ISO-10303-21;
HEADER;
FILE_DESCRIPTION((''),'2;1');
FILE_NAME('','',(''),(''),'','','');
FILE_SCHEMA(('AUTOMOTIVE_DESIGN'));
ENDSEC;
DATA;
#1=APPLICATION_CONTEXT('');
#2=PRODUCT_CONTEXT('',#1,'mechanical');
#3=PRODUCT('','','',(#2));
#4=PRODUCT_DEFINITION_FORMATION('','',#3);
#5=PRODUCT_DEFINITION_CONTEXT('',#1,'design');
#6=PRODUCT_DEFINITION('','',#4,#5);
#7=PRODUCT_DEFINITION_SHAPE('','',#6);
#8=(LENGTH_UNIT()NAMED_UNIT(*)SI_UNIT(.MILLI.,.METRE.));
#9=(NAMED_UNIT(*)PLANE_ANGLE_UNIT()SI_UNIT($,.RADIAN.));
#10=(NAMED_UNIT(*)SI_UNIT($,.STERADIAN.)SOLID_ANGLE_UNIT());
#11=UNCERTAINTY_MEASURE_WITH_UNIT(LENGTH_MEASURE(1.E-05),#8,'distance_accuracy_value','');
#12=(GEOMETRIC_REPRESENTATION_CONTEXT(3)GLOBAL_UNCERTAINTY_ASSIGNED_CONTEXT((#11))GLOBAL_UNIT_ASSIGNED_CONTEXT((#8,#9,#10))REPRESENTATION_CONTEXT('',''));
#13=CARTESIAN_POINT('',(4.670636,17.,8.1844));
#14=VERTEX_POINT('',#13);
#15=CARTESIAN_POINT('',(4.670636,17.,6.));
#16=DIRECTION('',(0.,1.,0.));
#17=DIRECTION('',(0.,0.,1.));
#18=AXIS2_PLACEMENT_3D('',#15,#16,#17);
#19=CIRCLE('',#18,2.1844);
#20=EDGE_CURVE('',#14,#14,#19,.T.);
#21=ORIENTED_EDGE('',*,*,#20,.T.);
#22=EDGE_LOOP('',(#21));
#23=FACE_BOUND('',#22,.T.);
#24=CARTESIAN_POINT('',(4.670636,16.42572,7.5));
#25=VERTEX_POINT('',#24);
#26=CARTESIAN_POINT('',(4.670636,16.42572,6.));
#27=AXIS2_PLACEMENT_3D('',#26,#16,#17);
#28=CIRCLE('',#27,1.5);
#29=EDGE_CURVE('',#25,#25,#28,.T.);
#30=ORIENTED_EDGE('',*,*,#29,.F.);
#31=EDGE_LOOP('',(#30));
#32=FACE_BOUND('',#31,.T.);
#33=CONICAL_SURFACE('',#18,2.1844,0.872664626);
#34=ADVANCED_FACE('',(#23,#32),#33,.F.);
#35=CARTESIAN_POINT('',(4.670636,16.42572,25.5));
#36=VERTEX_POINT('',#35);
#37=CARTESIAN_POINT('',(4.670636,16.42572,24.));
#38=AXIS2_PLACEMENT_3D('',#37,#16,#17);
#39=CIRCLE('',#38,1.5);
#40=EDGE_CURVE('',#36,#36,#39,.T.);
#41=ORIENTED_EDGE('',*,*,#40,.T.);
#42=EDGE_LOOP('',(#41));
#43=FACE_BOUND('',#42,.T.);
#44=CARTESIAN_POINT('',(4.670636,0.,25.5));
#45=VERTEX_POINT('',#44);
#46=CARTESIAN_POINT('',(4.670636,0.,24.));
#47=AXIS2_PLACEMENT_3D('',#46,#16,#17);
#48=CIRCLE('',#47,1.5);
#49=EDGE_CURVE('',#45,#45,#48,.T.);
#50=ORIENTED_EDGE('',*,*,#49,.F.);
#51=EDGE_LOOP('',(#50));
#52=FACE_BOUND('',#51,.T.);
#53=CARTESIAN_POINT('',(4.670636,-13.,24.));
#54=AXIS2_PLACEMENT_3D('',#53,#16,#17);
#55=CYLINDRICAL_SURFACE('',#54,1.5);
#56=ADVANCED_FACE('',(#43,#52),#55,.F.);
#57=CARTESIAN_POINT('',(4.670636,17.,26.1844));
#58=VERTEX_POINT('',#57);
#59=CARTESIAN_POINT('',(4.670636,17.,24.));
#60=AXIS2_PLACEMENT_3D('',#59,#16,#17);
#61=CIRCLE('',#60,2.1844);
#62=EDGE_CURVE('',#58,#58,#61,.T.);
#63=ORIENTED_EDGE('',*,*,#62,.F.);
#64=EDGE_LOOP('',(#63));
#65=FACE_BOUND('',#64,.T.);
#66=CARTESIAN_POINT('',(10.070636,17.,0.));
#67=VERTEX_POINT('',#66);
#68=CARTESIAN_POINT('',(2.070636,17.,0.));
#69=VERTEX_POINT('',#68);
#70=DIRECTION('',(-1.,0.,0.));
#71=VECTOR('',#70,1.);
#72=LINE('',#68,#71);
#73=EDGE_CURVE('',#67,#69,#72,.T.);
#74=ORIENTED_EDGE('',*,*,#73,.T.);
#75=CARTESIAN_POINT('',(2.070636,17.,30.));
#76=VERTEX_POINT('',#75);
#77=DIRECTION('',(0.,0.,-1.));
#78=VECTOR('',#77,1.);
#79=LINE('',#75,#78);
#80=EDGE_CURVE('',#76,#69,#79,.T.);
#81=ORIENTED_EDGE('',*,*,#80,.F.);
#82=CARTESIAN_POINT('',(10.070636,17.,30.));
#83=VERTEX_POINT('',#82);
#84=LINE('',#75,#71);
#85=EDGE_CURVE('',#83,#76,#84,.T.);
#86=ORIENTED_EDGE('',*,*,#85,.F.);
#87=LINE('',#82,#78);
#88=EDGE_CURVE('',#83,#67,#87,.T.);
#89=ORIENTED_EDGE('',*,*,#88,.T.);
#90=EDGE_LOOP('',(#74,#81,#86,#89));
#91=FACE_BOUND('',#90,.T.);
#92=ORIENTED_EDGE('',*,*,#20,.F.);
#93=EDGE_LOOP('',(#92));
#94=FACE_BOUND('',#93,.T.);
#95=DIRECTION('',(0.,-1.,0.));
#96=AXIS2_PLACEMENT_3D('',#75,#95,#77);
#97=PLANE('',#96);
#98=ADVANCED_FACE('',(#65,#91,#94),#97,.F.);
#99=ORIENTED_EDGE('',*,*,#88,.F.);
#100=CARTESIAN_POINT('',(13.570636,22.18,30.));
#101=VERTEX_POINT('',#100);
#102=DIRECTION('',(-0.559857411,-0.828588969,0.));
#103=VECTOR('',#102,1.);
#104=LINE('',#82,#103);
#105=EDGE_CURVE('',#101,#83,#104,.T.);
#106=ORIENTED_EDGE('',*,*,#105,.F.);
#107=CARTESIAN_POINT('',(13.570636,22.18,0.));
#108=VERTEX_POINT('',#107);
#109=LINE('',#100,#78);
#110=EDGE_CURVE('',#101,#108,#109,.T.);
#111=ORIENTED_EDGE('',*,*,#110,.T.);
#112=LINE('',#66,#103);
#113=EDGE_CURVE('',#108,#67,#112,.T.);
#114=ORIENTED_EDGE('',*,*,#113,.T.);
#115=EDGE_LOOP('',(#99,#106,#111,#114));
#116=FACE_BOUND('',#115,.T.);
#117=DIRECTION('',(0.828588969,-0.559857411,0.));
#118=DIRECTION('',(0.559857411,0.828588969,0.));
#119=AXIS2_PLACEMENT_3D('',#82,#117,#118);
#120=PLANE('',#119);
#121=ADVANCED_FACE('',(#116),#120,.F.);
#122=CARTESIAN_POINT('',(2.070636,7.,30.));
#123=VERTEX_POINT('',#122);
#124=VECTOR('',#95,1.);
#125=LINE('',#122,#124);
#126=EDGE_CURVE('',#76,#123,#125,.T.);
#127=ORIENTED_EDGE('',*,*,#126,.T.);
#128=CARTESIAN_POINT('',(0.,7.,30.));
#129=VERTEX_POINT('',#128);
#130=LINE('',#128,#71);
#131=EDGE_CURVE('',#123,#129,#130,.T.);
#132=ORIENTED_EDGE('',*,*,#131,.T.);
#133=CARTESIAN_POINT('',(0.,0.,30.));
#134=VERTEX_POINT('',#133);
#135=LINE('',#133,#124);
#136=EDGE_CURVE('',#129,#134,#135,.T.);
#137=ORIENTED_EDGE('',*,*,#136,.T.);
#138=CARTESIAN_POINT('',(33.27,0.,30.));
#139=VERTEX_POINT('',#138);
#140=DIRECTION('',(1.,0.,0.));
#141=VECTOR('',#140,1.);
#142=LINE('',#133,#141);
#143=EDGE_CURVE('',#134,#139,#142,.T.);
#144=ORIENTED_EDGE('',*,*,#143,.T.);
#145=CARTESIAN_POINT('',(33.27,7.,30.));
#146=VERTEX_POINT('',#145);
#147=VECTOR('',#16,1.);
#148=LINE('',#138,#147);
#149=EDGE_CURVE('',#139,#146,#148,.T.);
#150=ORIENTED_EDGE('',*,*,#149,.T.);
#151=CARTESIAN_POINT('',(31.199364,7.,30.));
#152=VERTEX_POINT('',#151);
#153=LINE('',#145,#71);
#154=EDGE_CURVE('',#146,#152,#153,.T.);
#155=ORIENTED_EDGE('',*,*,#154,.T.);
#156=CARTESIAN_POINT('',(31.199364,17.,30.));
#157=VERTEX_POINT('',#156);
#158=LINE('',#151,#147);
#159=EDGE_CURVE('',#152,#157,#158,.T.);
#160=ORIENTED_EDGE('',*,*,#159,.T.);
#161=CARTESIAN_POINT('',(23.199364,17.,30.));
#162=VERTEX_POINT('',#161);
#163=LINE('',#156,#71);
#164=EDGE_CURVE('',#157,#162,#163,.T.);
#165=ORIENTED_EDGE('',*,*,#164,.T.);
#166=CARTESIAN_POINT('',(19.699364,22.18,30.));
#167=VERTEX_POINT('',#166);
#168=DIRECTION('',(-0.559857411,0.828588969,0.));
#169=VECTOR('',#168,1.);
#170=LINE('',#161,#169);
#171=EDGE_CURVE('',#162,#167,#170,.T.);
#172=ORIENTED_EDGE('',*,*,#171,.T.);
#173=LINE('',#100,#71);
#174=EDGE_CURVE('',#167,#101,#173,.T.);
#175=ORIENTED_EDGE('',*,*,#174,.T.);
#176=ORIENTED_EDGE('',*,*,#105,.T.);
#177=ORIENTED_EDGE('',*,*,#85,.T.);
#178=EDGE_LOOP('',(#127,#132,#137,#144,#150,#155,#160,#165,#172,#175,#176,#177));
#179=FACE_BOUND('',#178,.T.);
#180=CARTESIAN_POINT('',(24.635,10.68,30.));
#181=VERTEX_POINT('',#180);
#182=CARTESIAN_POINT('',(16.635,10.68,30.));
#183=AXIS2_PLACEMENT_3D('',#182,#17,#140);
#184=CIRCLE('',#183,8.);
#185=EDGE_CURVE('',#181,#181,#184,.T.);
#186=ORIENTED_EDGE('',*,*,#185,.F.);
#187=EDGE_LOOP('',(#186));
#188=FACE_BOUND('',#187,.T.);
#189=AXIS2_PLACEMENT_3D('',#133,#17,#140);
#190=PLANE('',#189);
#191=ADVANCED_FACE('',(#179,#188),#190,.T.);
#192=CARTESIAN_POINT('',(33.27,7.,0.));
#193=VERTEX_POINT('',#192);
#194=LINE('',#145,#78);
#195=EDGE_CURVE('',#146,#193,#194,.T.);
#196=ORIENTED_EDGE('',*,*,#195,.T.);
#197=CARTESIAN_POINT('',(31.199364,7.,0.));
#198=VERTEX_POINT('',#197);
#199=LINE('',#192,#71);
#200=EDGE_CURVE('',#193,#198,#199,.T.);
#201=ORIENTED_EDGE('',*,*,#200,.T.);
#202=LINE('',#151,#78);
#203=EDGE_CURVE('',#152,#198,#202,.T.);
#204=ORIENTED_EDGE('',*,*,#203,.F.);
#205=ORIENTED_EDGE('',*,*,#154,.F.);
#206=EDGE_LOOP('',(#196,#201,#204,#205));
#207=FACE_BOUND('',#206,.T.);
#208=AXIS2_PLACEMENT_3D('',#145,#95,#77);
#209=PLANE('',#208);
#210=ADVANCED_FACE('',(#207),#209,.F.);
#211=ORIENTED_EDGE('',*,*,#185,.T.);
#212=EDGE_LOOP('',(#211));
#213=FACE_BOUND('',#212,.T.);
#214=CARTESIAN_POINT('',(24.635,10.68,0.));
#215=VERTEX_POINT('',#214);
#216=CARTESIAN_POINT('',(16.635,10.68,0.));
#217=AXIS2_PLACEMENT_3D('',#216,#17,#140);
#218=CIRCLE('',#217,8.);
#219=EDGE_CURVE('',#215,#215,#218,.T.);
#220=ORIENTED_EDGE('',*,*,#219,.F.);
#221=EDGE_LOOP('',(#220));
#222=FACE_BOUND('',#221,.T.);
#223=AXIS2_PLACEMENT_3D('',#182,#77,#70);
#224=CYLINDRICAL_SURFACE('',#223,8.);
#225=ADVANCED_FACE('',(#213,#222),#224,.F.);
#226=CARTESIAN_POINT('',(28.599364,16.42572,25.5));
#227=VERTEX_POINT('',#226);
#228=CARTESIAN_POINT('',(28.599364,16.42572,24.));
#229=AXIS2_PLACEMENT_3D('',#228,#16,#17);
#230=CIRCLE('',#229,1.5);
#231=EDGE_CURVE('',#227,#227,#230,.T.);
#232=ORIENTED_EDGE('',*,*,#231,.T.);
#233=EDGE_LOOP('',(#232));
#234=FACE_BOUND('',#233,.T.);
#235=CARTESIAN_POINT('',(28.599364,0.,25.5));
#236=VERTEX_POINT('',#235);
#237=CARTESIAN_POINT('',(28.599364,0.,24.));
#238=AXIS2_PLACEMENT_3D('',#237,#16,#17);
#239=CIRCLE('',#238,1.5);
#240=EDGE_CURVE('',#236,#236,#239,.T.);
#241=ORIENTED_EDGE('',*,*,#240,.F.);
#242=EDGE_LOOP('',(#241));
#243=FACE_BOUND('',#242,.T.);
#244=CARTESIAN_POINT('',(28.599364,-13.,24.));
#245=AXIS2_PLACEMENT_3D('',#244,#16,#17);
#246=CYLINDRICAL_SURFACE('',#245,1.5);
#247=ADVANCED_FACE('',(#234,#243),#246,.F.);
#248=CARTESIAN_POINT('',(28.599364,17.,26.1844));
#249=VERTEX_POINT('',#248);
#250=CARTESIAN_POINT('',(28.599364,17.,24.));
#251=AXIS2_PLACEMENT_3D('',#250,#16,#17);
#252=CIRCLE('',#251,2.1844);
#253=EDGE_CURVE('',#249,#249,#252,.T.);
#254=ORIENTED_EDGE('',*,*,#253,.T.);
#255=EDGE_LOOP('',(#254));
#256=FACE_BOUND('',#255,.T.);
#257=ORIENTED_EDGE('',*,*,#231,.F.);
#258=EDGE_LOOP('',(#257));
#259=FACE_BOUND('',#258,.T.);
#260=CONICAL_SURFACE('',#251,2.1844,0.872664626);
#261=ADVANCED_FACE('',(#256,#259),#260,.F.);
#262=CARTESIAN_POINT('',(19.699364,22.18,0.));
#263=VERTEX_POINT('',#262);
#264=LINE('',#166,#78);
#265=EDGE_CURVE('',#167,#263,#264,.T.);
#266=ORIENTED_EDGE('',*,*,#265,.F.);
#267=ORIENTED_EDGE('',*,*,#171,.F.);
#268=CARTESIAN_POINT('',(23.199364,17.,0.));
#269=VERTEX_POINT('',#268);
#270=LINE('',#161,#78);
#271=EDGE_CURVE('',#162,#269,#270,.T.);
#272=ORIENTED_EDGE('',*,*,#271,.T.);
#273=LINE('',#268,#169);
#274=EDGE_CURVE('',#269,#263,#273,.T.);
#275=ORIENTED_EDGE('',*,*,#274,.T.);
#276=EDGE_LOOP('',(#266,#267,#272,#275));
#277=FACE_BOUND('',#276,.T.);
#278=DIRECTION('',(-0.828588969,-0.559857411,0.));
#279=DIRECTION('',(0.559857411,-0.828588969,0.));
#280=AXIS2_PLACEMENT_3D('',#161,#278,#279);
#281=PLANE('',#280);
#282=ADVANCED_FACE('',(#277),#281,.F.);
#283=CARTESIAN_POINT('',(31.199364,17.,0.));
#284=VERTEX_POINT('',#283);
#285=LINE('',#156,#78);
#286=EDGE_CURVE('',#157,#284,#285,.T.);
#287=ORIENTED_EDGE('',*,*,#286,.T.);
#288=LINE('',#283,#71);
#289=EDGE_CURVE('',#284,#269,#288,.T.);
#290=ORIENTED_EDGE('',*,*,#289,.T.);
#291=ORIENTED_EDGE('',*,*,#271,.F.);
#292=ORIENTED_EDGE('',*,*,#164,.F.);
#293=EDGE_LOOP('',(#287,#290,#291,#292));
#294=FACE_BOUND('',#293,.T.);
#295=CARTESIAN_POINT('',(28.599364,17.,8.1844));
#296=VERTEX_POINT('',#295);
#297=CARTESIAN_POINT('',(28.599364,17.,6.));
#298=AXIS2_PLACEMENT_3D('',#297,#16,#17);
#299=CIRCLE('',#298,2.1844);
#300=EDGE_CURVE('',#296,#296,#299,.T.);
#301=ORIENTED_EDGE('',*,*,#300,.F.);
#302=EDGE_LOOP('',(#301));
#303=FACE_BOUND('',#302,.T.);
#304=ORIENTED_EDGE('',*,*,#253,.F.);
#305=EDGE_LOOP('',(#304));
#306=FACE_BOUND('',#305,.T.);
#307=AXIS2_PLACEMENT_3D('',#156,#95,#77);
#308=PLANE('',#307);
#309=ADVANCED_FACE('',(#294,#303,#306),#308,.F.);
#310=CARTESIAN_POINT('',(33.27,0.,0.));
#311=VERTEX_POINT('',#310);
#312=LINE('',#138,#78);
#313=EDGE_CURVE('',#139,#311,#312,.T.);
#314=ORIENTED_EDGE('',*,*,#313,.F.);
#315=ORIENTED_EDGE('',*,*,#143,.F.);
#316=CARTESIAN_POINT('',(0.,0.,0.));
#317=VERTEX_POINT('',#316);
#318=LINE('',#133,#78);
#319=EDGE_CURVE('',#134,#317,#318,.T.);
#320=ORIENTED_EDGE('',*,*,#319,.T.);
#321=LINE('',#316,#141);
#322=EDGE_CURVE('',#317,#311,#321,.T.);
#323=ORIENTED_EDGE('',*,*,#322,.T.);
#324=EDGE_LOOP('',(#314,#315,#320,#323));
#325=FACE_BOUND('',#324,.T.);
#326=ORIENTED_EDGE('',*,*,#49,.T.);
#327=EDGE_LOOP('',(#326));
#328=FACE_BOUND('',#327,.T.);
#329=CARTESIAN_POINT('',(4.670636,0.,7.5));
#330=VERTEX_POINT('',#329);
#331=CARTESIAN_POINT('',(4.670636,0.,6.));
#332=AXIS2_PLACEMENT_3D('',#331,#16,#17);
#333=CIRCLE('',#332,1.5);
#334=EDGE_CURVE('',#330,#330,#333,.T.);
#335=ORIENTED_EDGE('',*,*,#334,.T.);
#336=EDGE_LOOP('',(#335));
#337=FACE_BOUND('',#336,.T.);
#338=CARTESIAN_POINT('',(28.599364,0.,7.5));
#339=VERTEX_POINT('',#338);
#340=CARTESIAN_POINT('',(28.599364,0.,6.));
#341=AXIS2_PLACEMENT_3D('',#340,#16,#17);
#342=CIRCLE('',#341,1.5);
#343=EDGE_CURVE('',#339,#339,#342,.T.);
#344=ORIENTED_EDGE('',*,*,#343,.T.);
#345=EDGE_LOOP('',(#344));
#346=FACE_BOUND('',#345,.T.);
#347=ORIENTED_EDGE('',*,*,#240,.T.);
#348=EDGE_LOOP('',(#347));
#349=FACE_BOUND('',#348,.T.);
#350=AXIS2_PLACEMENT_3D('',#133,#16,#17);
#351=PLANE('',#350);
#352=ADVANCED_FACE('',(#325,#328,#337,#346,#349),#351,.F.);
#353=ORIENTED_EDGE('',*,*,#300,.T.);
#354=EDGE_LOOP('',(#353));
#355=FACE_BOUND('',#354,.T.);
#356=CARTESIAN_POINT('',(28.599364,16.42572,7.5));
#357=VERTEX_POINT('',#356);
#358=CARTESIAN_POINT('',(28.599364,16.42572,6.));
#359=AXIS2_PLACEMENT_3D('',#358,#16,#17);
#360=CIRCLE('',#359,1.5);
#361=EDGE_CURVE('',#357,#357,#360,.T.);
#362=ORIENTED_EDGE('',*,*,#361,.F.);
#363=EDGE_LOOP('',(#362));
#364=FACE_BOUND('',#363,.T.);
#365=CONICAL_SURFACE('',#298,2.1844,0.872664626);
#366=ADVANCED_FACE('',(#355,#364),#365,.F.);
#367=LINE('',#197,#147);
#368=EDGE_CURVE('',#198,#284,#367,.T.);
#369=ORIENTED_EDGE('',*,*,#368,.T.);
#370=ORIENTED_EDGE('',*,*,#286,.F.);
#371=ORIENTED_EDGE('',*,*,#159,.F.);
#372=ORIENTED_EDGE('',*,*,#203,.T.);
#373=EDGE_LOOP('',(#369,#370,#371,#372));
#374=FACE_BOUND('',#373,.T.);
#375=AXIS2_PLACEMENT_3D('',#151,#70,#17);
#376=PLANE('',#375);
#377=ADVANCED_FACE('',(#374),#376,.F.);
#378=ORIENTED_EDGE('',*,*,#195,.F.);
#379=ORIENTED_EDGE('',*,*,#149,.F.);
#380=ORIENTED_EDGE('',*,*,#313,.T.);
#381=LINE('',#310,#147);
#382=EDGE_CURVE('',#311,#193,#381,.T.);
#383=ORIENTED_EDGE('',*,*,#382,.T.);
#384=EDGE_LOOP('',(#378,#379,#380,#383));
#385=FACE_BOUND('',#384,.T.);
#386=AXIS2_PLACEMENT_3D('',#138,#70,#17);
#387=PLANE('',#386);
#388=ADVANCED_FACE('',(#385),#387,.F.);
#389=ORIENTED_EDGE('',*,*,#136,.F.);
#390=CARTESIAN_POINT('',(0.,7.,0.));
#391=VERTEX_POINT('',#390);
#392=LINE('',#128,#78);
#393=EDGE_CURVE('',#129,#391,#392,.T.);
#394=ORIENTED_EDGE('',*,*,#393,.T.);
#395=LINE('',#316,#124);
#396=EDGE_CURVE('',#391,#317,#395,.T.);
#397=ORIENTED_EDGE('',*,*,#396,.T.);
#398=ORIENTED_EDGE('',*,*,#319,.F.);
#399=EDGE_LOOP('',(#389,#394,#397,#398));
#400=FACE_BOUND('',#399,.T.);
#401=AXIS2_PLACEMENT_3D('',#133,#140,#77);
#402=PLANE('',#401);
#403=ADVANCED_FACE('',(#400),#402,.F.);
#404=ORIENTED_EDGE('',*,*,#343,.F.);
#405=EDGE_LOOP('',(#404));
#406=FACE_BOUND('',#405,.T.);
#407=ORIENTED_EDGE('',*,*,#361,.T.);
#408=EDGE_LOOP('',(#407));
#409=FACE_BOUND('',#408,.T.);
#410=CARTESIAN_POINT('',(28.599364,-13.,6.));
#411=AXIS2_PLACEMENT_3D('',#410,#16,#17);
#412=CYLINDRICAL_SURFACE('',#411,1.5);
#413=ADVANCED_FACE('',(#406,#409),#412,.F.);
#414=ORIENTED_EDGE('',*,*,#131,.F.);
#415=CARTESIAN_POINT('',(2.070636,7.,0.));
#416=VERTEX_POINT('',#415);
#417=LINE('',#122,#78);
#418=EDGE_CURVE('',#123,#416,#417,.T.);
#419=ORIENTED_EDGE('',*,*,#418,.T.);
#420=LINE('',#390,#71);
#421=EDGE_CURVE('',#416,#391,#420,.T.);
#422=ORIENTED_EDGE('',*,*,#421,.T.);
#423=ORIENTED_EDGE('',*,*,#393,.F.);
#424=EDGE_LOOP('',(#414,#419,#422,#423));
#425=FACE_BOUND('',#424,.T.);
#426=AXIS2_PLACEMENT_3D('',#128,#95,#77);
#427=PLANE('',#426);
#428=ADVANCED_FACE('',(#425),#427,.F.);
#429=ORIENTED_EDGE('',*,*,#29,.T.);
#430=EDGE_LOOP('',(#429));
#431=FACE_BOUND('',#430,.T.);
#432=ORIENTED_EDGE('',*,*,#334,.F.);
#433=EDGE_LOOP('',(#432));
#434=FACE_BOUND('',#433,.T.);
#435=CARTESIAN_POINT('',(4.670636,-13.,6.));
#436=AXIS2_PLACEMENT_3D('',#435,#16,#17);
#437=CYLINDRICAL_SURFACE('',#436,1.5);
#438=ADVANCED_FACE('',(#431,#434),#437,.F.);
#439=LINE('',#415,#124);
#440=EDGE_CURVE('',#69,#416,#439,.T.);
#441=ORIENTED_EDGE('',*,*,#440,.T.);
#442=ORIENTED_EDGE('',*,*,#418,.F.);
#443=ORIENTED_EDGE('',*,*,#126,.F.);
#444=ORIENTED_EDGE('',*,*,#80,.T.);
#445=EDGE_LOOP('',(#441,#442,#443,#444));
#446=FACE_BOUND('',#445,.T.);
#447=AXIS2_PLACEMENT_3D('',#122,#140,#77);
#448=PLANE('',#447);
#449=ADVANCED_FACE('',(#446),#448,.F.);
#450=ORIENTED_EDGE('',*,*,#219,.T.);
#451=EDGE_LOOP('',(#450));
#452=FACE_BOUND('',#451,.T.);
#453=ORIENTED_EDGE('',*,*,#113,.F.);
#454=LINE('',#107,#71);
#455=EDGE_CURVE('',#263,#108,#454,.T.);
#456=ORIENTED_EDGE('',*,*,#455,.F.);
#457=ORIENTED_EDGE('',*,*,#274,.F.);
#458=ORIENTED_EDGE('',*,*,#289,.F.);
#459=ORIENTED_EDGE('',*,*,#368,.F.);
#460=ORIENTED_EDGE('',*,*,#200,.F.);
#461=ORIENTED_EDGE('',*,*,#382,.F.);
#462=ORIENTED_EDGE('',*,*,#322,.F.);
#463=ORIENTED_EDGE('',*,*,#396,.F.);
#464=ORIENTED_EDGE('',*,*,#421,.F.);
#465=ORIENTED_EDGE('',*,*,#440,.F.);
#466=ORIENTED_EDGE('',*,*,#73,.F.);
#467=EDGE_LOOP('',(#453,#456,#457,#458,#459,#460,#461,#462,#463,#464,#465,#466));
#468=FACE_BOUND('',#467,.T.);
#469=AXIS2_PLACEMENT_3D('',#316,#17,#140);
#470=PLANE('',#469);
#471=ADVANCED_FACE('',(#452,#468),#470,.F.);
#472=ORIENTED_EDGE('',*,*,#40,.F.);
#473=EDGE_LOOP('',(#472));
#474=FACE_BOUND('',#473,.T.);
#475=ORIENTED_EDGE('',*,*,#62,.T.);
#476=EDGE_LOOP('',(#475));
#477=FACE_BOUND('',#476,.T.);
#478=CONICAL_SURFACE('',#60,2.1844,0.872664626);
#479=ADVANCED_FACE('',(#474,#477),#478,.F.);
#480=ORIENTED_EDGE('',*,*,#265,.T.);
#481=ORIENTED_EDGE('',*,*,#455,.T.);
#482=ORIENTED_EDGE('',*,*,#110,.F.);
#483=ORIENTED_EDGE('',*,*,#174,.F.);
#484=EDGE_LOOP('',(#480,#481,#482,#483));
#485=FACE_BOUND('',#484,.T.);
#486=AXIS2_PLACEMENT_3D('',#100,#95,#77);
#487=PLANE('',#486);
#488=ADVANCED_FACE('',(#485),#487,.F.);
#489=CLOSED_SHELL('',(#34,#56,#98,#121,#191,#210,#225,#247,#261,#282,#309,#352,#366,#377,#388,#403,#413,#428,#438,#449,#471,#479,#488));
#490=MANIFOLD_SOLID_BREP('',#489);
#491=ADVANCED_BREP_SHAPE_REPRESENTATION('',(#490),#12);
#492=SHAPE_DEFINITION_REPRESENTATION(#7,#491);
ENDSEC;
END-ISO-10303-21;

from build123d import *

# Parameters (mm, degrees)
SKETCH1_R                                         = 8
BOSS_EXTRUDE1_DEPTH                               = 30
SKETCH2_R                                         = 1.5
CUT_EXTRUDE2_DEPTH                                = 30
CSK_FOR_2_FLAT_HEAD_MACHINE_SCREW_100_D           = 2.7051
CSK_FOR_2_FLAT_HEAD_MACHINE_SCREW_100_CSINK_D     = 4.3688
CSK_FOR_2_FLAT_HEAD_MACHINE_SCREW_100_CSINK_ANGLE = 100
CSK_FOR_2_FLAT_HEAD_MACHINE_SCREW_2_D             = 2.7051
CSK_FOR_2_FLAT_HEAD_MACHINE_SCREW_2_CSINK_D       = 4.3688
CSK_FOR_2_FLAT_HEAD_MACHINE_SCREW_2_CSINK_ANGLE   = 100
CSK_FOR_2_FLAT_HEAD_MACHINE_SCREW_3_D             = 2.7051
CSK_FOR_2_FLAT_HEAD_MACHINE_SCREW_3_CSINK_D       = 4.3688
CSK_FOR_2_FLAT_HEAD_MACHINE_SCREW_3_CSINK_ANGLE   = 100
CSK_FOR_2_FLAT_HEAD_MACHINE_SCREW_4_D             = 2.7051
CSK_FOR_2_FLAT_HEAD_MACHINE_SCREW_4_CSINK_D       = 4.3688
CSK_FOR_2_FLAT_HEAD_MACHINE_SCREW_4_CSINK_ANGLE   = 100


with BuildPart() as part:
    # Sketch1 → Boss-Extrude1 (new body)
    with BuildSketch(Plane.XY):
        Polygon((33.27, 7), (31.19936412, 7), (31.19936412, 17), (23.19936412, 17), (19.69936412, 22.18), (13.57063588, 22.18), (10.07063588, 17), (2.07063588, 17), (2.07063588, 7), (0, 7), (0, 0), (33.27, 0), align=None)
        with Locations((16.635, 10.68)):
            Circle(SKETCH1_R, mode=Mode.SUBTRACT)
    extrude(amount=BOSS_EXTRUDE1_DEPTH)

    # Sketch2 → Cut-Extrude2 (cut)
    with BuildSketch(Plane(origin=(0, 17, 0), x_dir=(1, 0, 0), z_dir=(0, 1, 0))):
        with Locations(Location((28.59936412, -6, 0), (0, 0, 270))):
            Circle(SKETCH2_R)
        with Locations(Location((28.59936412, -24, 0), (0, 0, 270))):
            Circle(SKETCH2_R)
        with Locations(Location((4.67063588, -24, 0), (0, 0, 270))):
            Circle(SKETCH2_R)
        with Locations(Location((4.67063588, -6, 0), (0, 0, 270))):
            Circle(SKETCH2_R)
    extrude(amount=-CUT_EXTRUDE2_DEPTH, mode=Mode.SUBTRACT)

    # CSK for _2 Flat Head Machine Screw _100 (through all)
    with Locations(Plane(origin=(0, 17, 0), x_dir=(1, 0, 0), z_dir=(0, 1, 0))):
        with Locations((4.67063588, -6)):
            CounterSinkHole(CSK_FOR_2_FLAT_HEAD_MACHINE_SCREW_100_D / 2, CSK_FOR_2_FLAT_HEAD_MACHINE_SCREW_100_CSINK_D / 2, counter_sink_angle=CSK_FOR_2_FLAT_HEAD_MACHINE_SCREW_100_CSINK_ANGLE)

    # CSK for _2 Flat Head Machine Screw _ 2 (through all)
    with Locations(Plane(origin=(0, 17, 0), x_dir=(1, 0, 0), z_dir=(0, 1, 0))):
        with Locations((4.67063588, -24)):
            CounterSinkHole(CSK_FOR_2_FLAT_HEAD_MACHINE_SCREW_2_D / 2, CSK_FOR_2_FLAT_HEAD_MACHINE_SCREW_2_CSINK_D / 2, counter_sink_angle=CSK_FOR_2_FLAT_HEAD_MACHINE_SCREW_2_CSINK_ANGLE)

    # CSK for _2 Flat Head Machine Screw _ 3 (through all)
    with Locations(Plane(origin=(0, 17, 0), x_dir=(1, 0, 0), z_dir=(0, 1, 0))):
        with Locations((28.59936412, -6)):
            CounterSinkHole(CSK_FOR_2_FLAT_HEAD_MACHINE_SCREW_3_D / 2, CSK_FOR_2_FLAT_HEAD_MACHINE_SCREW_3_CSINK_D / 2, counter_sink_angle=CSK_FOR_2_FLAT_HEAD_MACHINE_SCREW_3_CSINK_ANGLE)

    # CSK for _2 Flat Head Machine Screw _ 4 (through all)
    with Locations(Plane(origin=(0, 17, 0), x_dir=(1, 0, 0), z_dir=(0, 1, 0))):
        with Locations((28.59936412, -24)):
            CounterSinkHole(CSK_FOR_2_FLAT_HEAD_MACHINE_SCREW_4_D / 2, CSK_FOR_2_FLAT_HEAD_MACHINE_SCREW_4_CSINK_D / 2, counter_sink_angle=CSK_FOR_2_FLAT_HEAD_MACHINE_SCREW_4_CSINK_ANGLE)


solid = part.part
